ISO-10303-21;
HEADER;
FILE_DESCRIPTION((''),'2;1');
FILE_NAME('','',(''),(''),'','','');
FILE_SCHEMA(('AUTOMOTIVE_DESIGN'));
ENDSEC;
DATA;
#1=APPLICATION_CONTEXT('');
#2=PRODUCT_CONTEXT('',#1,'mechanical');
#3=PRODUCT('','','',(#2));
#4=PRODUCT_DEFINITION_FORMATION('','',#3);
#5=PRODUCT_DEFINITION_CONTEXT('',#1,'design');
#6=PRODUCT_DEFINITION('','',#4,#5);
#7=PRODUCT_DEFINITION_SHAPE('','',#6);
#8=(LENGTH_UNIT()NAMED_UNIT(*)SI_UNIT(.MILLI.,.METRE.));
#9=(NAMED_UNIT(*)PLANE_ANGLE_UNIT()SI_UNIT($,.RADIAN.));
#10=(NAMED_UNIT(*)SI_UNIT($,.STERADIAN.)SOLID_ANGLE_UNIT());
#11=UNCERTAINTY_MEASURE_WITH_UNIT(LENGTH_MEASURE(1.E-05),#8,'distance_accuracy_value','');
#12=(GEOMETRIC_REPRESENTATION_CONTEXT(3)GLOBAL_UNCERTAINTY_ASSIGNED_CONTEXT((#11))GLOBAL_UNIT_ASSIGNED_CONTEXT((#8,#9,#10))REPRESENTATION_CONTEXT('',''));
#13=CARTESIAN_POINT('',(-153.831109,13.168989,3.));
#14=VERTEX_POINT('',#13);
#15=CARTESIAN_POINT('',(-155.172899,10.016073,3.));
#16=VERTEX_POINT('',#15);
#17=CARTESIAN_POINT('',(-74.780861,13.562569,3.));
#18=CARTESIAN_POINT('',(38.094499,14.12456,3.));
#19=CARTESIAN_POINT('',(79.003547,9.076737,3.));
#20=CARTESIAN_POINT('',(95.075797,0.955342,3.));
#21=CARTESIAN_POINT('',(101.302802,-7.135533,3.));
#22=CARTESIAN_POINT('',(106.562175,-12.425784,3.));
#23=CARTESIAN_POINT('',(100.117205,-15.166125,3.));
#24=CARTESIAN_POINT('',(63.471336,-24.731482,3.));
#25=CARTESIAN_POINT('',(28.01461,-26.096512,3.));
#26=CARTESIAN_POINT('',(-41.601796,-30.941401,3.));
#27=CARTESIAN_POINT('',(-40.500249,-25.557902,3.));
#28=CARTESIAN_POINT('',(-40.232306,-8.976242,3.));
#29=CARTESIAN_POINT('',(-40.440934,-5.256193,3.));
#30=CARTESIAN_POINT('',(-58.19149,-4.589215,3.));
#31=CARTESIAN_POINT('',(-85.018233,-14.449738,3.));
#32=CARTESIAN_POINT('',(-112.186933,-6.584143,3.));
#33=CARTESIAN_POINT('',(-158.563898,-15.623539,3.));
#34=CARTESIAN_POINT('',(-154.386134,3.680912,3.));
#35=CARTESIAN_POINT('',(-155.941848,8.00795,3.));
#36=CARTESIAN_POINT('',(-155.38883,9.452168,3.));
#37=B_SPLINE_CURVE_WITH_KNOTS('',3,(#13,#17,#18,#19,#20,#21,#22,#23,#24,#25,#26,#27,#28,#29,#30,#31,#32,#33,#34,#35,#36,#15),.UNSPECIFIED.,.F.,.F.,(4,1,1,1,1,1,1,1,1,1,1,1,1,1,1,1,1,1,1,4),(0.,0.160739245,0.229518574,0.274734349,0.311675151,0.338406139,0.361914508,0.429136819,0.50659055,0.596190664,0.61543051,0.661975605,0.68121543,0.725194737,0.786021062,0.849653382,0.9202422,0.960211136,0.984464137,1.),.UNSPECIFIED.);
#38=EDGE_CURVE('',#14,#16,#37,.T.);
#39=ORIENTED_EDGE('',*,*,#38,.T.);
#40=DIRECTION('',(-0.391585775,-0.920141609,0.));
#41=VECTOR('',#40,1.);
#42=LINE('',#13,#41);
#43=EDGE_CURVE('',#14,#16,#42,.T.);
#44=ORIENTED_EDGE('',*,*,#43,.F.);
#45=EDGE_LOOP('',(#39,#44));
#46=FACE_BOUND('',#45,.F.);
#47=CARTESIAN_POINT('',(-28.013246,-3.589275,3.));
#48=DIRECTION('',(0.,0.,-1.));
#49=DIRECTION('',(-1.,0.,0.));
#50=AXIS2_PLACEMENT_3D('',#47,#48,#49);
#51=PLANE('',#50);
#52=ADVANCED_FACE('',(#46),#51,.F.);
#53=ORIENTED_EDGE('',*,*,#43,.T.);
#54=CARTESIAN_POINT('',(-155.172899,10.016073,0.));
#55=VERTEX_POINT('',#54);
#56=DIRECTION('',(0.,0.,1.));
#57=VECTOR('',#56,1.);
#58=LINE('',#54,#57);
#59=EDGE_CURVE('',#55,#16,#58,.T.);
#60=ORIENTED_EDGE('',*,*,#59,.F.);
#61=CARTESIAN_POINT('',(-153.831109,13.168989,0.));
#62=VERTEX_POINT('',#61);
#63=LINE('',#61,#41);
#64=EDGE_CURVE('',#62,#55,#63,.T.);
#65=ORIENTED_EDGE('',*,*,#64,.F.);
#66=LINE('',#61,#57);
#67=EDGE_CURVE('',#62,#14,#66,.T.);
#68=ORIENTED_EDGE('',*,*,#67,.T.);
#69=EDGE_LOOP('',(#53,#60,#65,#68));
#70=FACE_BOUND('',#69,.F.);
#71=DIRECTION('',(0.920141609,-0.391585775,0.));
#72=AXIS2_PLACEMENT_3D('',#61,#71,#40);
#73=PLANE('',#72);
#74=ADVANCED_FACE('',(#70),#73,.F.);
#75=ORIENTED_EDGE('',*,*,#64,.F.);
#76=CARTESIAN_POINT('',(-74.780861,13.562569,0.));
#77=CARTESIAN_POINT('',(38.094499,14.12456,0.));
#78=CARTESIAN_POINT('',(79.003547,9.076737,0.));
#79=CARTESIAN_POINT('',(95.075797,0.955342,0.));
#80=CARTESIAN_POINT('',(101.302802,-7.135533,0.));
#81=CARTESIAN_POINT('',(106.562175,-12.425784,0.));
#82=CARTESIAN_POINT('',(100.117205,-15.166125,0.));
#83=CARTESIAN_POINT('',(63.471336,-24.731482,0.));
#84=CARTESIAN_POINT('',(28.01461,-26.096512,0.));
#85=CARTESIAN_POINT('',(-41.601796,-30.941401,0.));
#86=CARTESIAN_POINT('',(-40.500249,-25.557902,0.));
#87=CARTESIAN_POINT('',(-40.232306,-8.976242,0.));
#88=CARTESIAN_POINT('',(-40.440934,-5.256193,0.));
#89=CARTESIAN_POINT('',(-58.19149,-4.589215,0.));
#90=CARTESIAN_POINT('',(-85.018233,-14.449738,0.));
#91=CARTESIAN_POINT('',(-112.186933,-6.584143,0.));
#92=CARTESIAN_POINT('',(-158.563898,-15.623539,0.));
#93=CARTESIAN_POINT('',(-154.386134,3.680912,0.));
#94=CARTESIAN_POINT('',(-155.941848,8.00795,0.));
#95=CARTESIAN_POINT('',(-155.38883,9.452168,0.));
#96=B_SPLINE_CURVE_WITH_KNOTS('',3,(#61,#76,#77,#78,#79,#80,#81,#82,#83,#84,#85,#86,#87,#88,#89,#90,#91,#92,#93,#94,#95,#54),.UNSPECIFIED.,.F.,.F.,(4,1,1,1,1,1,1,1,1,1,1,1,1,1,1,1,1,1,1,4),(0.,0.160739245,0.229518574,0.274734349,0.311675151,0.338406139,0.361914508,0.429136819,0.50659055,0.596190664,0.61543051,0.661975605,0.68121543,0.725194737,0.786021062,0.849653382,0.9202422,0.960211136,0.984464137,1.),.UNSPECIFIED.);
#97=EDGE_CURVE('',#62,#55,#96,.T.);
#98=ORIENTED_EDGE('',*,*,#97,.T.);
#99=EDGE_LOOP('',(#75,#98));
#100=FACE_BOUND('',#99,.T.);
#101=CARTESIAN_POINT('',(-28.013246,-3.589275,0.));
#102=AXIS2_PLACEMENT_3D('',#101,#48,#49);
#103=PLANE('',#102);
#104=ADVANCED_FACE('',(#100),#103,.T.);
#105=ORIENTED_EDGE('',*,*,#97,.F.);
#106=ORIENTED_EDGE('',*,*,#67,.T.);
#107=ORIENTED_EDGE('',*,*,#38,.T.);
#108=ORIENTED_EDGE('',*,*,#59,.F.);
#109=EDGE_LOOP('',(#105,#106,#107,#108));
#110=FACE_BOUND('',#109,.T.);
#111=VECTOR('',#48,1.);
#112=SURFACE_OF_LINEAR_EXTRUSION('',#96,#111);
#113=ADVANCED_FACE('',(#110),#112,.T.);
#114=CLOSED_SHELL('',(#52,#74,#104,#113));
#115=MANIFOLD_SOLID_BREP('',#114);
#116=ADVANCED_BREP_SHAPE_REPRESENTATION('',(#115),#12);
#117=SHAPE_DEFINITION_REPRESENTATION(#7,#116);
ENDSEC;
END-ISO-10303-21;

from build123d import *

# Parameters (mm, degrees)
F1_DEPTH = 3


with BuildPart() as f1:
    # F0 (on Top) → F1 (new body)
    with BuildSketch(Plane.XY):
        with BuildLine():
            add(Edge.make_bspline(
                [(-153.8311094046, 13.1689887494), (-74.7808611338, 13.5625688955), (38.0944991968, 14.1245595506), (79.0035465006, 9.0767371037), (95.0757965897, 0.9553419146), (101.3028018449, -7.1355326835), (106.5621752979, -12.4257840628), (100.1172045976, -15.1661250831), (63.471335625, -24.7314817748), (28.0146096915, -26.0965123755), (-41.6017959646, -30.9414010242), (-40.5002486767, -25.5579021791), (-40.232306199, -8.9762424907), (-40.4409343843, -5.2561929958), (-58.1914902193, -4.5892154092), (-85.0182326842, -14.4497383333), (-112.1869327049, -6.5841431222), (-158.5638978317, -15.6235385799), (-154.3861338652, 3.6809115658), (-155.9418484627, 8.0079504141), (-155.388829721, 9.4521678415), (-155.1728993654, 10.0160734728)],
                knots=[0, 0, 0, 0, 0.1607392455, 0.229518574, 0.2747343487, 0.3116751514, 0.3384061393, 0.3619145079, 0.4291368186, 0.5065905496, 0.5961906643, 0.6154305101, 0.6619756051, 0.6812154301, 0.7251947367, 0.7860210617, 0.8496533816, 0.9202421997, 0.9602111363, 0.9844641368, 1, 1, 1, 1], degree=3))
            Line((-153.8311094046, 13.1689887494), (-155.1728993654, 10.0160734728))
        make_face()
    extrude(amount=F1_DEPTH)


solid = f1.part
